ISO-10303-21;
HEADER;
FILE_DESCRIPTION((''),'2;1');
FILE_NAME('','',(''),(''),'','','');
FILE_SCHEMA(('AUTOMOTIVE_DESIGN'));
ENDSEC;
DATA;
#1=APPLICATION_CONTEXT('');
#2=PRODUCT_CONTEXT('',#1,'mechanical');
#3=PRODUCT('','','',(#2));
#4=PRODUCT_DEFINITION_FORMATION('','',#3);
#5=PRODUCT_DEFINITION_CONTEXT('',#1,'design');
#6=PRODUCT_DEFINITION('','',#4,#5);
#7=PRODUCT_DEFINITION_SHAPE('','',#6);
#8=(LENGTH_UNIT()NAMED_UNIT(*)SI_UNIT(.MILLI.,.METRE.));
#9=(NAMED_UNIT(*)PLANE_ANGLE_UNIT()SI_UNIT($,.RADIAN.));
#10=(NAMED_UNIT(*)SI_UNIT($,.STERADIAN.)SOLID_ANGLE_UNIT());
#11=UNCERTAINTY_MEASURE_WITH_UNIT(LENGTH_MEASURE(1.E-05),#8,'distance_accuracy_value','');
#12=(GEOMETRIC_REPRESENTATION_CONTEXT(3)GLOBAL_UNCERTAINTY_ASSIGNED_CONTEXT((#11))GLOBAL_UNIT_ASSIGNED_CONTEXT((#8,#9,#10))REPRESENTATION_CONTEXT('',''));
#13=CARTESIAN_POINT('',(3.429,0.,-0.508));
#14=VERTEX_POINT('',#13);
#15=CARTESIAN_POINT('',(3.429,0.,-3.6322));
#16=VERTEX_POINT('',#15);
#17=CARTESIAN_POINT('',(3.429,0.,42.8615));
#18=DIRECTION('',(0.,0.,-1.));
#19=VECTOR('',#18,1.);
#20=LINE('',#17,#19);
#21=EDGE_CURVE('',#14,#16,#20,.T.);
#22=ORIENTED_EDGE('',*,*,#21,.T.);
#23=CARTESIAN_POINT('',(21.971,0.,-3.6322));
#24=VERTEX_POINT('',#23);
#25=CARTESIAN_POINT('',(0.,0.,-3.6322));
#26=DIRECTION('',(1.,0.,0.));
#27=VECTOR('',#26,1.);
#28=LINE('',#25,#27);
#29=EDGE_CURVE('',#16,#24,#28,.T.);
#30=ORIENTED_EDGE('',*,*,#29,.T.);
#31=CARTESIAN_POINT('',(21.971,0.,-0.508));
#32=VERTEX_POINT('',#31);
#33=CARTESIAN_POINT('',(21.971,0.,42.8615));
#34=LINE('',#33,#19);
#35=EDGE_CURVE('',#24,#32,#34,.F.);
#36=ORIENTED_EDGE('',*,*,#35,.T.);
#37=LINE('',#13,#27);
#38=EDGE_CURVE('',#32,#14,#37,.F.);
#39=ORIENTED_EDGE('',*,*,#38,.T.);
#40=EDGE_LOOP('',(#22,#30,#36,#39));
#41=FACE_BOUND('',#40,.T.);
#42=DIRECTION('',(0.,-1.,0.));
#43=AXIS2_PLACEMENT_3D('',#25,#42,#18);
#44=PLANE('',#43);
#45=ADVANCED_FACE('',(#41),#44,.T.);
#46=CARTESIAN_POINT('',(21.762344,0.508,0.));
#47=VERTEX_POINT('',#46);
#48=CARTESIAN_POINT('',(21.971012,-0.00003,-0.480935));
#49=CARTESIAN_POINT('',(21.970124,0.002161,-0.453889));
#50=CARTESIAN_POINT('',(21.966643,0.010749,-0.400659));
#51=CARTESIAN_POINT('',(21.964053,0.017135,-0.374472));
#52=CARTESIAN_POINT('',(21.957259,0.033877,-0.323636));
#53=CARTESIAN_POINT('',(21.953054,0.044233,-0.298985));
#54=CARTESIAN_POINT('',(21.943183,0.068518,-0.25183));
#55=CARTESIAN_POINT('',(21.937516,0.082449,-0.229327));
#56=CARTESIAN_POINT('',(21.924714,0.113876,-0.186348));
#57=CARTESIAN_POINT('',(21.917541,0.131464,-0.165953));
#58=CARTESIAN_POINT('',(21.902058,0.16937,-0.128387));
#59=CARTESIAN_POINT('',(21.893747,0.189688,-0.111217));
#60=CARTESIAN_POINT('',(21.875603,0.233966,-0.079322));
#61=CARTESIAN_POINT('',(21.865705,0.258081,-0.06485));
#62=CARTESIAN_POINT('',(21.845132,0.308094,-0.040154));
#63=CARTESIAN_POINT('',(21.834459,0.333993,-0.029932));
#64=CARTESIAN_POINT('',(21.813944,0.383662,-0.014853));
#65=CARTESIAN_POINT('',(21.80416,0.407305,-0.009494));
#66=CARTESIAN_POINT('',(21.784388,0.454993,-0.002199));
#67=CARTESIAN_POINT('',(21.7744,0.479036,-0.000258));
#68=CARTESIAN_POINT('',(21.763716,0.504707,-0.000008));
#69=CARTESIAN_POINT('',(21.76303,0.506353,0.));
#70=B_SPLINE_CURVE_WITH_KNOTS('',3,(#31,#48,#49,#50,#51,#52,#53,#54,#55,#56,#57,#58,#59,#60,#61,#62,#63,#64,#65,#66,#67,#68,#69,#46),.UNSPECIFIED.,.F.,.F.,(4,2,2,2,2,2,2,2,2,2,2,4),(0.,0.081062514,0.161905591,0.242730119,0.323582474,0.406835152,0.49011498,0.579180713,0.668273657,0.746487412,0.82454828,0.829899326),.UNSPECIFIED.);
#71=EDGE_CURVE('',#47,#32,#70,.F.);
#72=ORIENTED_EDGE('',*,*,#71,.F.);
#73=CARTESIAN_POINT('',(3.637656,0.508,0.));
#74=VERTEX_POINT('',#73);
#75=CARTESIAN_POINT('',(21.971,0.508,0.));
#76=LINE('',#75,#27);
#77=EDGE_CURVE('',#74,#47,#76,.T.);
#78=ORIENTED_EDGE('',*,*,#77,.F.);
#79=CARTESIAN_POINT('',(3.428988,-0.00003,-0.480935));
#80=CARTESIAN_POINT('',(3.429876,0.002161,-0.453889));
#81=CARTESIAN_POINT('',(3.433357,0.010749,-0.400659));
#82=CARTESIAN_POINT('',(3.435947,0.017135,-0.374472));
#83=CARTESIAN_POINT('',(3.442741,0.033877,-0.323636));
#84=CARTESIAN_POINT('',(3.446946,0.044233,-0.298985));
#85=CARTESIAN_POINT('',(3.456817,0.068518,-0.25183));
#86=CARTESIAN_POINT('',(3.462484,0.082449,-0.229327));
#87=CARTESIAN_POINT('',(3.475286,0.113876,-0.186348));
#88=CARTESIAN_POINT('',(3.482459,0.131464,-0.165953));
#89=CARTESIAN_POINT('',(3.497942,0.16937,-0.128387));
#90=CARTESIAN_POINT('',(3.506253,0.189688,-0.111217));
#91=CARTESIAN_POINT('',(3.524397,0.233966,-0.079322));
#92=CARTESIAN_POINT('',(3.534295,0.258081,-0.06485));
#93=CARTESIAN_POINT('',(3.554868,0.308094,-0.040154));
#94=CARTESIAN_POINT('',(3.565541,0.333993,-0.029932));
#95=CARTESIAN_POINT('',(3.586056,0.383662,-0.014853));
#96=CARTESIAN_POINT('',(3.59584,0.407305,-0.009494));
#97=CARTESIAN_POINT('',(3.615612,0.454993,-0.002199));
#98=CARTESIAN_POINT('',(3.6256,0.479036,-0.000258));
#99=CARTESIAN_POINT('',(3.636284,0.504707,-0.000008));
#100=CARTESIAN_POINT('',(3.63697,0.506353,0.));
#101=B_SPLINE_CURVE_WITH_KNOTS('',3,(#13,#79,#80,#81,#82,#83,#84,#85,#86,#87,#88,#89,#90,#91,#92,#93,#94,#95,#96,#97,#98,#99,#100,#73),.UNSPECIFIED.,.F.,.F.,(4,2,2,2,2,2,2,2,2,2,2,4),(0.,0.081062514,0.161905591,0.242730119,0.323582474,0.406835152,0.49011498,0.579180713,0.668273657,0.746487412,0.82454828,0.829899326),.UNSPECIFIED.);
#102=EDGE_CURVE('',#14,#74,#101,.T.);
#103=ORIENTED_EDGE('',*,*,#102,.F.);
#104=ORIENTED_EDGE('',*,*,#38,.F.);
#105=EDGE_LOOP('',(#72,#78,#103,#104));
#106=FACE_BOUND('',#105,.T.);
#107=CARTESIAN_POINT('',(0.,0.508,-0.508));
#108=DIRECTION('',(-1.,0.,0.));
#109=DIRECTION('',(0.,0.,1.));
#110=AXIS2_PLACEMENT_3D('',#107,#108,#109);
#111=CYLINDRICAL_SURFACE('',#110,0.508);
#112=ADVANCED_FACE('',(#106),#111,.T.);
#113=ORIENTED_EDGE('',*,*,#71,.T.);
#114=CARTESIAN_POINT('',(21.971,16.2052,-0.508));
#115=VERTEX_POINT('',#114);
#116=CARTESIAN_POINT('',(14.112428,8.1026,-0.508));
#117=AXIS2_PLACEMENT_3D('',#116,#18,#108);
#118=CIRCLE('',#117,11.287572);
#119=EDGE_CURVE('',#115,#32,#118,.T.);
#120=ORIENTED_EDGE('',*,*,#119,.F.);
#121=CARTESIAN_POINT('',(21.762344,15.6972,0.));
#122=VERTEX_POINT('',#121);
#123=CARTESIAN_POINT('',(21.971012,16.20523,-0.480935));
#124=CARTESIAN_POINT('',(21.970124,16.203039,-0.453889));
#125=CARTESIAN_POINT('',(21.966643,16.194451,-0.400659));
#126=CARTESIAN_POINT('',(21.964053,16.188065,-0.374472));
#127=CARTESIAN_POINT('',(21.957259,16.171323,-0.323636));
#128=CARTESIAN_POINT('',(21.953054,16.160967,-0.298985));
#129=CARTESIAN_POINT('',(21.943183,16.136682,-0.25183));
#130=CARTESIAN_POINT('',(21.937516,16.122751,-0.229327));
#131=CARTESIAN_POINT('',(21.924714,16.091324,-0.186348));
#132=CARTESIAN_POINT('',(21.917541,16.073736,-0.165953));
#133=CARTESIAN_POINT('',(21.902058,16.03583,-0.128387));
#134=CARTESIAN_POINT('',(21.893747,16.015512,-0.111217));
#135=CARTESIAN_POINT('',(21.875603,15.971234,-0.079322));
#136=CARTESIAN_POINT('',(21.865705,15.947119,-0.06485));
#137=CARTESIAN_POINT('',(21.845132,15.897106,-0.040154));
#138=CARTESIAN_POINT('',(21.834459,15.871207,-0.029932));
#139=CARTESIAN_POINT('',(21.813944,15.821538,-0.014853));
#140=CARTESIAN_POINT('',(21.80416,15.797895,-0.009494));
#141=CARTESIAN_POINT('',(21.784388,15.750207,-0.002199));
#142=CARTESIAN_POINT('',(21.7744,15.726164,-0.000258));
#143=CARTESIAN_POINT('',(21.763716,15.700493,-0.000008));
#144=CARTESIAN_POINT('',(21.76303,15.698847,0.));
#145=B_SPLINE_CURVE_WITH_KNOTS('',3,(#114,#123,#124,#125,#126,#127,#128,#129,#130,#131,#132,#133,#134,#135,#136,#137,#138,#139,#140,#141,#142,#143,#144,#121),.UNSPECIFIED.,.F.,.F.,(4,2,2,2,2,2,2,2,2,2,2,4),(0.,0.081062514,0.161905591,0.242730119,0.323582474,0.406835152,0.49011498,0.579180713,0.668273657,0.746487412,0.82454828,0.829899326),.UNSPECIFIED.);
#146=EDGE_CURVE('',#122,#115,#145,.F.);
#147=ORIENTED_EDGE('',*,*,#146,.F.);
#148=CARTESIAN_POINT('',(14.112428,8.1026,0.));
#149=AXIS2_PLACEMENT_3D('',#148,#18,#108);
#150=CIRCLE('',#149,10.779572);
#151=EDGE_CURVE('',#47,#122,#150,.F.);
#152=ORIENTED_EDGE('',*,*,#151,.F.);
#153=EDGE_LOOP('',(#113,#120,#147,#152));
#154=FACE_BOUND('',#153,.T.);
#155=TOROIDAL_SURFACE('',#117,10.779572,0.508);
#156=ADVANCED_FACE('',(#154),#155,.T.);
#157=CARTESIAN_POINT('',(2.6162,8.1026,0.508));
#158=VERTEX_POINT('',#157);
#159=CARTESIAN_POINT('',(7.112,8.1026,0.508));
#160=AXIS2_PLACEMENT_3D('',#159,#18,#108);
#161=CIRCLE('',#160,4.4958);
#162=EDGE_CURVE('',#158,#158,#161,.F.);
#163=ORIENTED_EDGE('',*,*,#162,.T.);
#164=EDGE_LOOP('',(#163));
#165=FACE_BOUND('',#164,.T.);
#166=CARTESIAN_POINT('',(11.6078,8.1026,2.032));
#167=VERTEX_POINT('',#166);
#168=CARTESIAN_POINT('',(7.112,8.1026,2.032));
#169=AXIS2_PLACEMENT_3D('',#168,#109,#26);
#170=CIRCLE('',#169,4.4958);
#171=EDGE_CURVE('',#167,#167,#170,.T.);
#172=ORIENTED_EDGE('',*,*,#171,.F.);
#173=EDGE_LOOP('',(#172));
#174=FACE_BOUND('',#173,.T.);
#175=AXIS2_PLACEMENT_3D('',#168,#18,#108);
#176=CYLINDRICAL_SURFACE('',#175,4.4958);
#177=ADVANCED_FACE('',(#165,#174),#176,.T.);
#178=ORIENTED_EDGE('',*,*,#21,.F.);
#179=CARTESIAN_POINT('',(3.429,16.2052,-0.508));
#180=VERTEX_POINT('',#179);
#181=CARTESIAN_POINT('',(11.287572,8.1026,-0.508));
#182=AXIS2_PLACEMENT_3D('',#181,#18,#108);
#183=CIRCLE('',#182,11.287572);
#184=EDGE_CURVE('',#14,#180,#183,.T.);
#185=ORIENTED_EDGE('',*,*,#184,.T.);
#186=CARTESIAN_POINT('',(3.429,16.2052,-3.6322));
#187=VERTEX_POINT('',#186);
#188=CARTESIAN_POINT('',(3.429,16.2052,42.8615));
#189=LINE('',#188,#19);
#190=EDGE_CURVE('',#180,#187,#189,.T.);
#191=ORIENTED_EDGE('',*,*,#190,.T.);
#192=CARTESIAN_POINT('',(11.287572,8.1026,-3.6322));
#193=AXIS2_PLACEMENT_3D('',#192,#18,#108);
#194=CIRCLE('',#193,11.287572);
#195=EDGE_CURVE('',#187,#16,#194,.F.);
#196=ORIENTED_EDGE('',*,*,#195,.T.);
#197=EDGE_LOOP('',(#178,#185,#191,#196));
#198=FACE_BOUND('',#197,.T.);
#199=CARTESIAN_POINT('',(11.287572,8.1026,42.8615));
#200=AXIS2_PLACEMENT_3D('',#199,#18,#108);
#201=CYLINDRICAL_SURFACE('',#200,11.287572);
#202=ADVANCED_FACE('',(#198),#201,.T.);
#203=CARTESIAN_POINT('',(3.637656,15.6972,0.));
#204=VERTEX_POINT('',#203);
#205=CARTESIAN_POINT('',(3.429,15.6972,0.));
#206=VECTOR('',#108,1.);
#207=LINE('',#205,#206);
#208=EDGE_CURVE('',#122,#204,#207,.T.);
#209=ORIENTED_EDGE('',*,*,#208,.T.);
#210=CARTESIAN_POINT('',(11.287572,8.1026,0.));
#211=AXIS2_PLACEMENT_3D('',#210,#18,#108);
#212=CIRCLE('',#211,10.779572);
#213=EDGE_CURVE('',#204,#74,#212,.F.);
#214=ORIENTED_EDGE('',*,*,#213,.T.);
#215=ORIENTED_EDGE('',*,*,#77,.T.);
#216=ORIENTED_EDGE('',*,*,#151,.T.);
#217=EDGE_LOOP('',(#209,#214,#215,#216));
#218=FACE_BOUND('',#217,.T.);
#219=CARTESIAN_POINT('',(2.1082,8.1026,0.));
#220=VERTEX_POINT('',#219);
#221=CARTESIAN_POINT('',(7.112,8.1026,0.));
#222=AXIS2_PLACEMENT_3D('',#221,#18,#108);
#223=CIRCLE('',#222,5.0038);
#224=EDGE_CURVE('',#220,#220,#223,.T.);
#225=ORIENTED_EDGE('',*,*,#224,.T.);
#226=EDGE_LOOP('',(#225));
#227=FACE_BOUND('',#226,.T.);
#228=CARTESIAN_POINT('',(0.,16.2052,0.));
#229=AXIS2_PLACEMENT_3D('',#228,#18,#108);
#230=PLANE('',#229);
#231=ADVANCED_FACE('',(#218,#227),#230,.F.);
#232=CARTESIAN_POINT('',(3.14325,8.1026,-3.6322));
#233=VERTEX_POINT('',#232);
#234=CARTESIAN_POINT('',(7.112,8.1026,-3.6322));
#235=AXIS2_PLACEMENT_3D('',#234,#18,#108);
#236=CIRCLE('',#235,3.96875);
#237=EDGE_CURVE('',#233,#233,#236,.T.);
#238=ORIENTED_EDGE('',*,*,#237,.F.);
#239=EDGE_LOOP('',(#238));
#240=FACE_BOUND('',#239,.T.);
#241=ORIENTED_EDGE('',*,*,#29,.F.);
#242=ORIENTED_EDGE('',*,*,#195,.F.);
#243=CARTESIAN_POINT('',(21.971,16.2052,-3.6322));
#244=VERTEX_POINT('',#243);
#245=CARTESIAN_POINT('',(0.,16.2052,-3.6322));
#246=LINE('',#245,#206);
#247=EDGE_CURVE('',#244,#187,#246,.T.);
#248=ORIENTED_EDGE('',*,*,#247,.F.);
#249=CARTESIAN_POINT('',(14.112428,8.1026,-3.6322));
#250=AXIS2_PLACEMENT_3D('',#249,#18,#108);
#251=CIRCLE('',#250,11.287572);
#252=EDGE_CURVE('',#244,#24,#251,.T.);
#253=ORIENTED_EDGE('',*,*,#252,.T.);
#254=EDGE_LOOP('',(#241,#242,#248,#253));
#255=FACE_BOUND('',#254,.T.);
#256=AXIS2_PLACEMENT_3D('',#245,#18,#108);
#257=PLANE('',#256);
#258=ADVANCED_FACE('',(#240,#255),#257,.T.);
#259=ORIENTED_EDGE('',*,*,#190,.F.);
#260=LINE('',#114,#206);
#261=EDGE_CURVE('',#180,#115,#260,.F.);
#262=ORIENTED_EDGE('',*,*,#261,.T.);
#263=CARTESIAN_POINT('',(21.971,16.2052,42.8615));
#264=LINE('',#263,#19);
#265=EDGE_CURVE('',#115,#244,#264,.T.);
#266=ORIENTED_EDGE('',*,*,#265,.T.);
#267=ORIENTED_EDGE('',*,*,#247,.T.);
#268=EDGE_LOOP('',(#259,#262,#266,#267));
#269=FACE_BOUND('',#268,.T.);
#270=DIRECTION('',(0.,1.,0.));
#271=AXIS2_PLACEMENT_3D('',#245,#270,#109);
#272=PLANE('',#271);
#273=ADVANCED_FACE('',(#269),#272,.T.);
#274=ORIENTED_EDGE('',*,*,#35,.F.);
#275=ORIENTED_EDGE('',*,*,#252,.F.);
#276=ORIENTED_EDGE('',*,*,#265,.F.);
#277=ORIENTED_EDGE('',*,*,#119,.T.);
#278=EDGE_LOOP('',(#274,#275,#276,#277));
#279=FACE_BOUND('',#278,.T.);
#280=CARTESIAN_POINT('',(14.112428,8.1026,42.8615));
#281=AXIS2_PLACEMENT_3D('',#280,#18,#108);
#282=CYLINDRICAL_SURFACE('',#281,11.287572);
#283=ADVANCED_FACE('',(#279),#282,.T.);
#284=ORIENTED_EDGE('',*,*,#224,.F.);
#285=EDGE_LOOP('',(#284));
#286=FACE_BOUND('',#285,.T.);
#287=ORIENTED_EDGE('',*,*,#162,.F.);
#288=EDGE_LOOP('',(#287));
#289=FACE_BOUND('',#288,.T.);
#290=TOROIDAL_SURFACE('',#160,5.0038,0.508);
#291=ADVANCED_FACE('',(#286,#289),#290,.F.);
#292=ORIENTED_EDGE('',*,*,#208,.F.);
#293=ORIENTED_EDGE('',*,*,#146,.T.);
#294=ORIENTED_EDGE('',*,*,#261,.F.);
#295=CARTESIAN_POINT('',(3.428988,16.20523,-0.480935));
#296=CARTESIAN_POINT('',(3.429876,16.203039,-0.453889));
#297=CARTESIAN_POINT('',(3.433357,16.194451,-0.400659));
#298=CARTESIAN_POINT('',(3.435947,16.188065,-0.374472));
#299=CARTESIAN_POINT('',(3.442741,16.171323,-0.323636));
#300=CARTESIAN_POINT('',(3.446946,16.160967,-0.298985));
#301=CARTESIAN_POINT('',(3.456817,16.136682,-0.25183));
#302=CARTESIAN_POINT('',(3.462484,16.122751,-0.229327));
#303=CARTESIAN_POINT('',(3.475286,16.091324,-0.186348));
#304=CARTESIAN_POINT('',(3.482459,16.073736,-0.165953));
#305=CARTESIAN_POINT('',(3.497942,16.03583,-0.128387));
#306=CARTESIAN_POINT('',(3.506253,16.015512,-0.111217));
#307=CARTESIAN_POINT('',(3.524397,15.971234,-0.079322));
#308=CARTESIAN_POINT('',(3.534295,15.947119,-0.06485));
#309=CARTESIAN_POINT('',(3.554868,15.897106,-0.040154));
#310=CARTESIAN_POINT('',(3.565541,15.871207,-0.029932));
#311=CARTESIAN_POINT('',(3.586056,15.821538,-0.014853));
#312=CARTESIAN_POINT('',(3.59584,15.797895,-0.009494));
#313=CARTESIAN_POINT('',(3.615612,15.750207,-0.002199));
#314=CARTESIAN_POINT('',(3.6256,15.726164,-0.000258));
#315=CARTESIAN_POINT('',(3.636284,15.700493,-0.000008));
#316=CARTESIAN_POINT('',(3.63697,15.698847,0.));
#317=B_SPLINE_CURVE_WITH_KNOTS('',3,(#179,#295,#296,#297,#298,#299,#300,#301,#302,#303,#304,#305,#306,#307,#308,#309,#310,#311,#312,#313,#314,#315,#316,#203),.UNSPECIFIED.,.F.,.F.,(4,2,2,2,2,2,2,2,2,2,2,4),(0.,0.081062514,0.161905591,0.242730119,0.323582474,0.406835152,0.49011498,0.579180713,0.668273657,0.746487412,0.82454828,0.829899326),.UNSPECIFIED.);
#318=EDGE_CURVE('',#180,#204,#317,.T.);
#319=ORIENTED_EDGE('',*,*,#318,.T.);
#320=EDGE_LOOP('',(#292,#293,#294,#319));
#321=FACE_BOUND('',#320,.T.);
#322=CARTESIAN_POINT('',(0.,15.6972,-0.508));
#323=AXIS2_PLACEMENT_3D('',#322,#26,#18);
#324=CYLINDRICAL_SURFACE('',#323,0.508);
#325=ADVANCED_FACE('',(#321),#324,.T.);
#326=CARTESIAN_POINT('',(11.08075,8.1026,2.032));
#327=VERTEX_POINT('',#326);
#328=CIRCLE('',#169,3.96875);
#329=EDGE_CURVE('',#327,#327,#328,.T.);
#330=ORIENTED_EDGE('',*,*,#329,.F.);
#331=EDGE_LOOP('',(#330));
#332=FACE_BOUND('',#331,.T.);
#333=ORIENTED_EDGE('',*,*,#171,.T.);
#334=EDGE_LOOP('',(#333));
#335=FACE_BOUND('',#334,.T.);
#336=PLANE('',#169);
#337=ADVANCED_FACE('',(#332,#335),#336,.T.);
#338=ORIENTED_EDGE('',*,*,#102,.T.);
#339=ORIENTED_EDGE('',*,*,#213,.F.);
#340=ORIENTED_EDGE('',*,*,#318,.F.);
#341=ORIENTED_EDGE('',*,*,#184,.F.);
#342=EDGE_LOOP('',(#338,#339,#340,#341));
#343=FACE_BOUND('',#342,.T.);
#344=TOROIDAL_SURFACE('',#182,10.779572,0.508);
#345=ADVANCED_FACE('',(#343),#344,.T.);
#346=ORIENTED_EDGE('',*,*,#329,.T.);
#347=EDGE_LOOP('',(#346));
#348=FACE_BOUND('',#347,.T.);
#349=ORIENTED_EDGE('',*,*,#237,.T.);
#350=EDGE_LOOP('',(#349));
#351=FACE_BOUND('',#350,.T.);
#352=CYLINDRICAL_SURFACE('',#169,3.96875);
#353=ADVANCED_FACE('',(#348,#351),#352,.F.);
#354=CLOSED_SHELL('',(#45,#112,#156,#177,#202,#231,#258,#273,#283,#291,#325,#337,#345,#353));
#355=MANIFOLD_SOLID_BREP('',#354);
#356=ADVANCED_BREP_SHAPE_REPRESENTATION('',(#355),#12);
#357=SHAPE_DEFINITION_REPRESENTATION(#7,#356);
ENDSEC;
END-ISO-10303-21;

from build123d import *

# Parameters (mm, degrees)
SKETCH1_W                          = 25.4
SKETCH1_H                          = 16.2052
BASE_EXTRUDE_DEPTH                 = 3.6322
SKETCH2_R                          = 4.4958
BOSS_EXTRUDE1_DEPTH                = 2.032
F_5_16_18_TAPPED_HOLE1_D           = 6.5278
F_5_16_18_TAPPED_HOLE1_CBORE_D     = 7.9375
F_5_16_18_TAPPED_HOLE1_CBORE_DEPTH = 15.875
CUT_EXTRUDE1_DEPTH                 = 3.032
CUT_EXTRUDE1_DEPTH_BACK            = 4.6322
CUT_EXTRUDE2_DEPTH                 = 3.032
CUT_EXTRUDE2_DEPTH_BACK            = 4.6322
FILLET1_R                          = 0.508


with BuildPart() as part:
    # Sketch1 → Base-Extrude (new body)
    with BuildSketch(Plane.XY):
        with Locations((12.7, 8.1026)):
            Rectangle(SKETCH1_W, SKETCH1_H)
    extrude(amount=-BASE_EXTRUDE_DEPTH)

    # Sketch2 → Boss-Extrude1 (add)
    with BuildSketch(Plane.XY):
        with Locations((7.112, 8.1026)):
            Circle(SKETCH2_R)
    extrude(amount=BOSS_EXTRUDE1_DEPTH)

    # 5/16-18 Tapped Hole1 (through all)
    with Locations(Plane(origin=(7.112, 8.1026, 2.032), x_dir=(1, 0, 0), z_dir=(0, 0, 1))):
        with Locations((0, 0)):
            CounterBoreHole(F_5_16_18_TAPPED_HOLE1_D / 2, F_5_16_18_TAPPED_HOLE1_CBORE_D / 2, F_5_16_18_TAPPED_HOLE1_CBORE_DEPTH)

    # Sketch4 → Cut-Extrude1 (cut, two sides)
    with BuildSketch(Plane.XY) as cut_extrude1_sk:
        with BuildLine():
            Line((-24.402199862, 61.181765932), (21.971, 16.2052))
            ThreePointArc((21.971, 16.2052), (25.4, 8.1026), (21.971, 0))
            Line((21.971, 0), (-24.402199862, -44.976565932))
            Line((-24.402199862, -44.976565932), (104.800975772, -44.976565932))
            Line((104.800975772, -44.976565932), (104.800975772, 61.181765932))
            Line((104.800975772, 61.181765932), (-24.402199862, 61.181765932))
        make_face()
    extrude(amount=CUT_EXTRUDE1_DEPTH, mode=Mode.SUBTRACT)
    extrude(cut_extrude1_sk.sketch, amount=-CUT_EXTRUDE1_DEPTH_BACK, mode=Mode.SUBTRACT)

    # Sketch6 → Cut-Extrude2 (cut, two sides)
    with BuildSketch(Plane.XY) as cut_extrude2_sk:
        with BuildLine():
            Line((49.802199862, 61.181765932), (3.429, 16.2052))
            ThreePointArc((3.429, 16.2052), (0, 8.1026), (3.429, 0))
            Line((3.429, 0), (49.802199862, -44.976565932))
            Line((49.802199862, -44.976565932), (-79.400975772, -44.976565932))
            Line((-79.400975772, -44.976565932), (-79.400975772, 61.181765932))
            Line((-79.400975772, 61.181765932), (49.802199862, 61.181765932))
        make_face()
    extrude(amount=CUT_EXTRUDE2_DEPTH, mode=Mode.SUBTRACT)
    extrude(cut_extrude2_sk.sketch, amount=-CUT_EXTRUDE2_DEPTH_BACK, mode=Mode.SUBTRACT)

    # Fillet1
    fillet1_edges = [part.edges().sort_by_distance(p)[0] for p in [
        (12.7, 0, 0),
        (0, 8.1026, 0),
        (12.7, 16.2052, 0),
        (2.6162, 8.1026, 0),
        (25.4, 8.1026, 0),
    ]]
    fillet(fillet1_edges, radius=FILLET1_R)


solid = part.part
